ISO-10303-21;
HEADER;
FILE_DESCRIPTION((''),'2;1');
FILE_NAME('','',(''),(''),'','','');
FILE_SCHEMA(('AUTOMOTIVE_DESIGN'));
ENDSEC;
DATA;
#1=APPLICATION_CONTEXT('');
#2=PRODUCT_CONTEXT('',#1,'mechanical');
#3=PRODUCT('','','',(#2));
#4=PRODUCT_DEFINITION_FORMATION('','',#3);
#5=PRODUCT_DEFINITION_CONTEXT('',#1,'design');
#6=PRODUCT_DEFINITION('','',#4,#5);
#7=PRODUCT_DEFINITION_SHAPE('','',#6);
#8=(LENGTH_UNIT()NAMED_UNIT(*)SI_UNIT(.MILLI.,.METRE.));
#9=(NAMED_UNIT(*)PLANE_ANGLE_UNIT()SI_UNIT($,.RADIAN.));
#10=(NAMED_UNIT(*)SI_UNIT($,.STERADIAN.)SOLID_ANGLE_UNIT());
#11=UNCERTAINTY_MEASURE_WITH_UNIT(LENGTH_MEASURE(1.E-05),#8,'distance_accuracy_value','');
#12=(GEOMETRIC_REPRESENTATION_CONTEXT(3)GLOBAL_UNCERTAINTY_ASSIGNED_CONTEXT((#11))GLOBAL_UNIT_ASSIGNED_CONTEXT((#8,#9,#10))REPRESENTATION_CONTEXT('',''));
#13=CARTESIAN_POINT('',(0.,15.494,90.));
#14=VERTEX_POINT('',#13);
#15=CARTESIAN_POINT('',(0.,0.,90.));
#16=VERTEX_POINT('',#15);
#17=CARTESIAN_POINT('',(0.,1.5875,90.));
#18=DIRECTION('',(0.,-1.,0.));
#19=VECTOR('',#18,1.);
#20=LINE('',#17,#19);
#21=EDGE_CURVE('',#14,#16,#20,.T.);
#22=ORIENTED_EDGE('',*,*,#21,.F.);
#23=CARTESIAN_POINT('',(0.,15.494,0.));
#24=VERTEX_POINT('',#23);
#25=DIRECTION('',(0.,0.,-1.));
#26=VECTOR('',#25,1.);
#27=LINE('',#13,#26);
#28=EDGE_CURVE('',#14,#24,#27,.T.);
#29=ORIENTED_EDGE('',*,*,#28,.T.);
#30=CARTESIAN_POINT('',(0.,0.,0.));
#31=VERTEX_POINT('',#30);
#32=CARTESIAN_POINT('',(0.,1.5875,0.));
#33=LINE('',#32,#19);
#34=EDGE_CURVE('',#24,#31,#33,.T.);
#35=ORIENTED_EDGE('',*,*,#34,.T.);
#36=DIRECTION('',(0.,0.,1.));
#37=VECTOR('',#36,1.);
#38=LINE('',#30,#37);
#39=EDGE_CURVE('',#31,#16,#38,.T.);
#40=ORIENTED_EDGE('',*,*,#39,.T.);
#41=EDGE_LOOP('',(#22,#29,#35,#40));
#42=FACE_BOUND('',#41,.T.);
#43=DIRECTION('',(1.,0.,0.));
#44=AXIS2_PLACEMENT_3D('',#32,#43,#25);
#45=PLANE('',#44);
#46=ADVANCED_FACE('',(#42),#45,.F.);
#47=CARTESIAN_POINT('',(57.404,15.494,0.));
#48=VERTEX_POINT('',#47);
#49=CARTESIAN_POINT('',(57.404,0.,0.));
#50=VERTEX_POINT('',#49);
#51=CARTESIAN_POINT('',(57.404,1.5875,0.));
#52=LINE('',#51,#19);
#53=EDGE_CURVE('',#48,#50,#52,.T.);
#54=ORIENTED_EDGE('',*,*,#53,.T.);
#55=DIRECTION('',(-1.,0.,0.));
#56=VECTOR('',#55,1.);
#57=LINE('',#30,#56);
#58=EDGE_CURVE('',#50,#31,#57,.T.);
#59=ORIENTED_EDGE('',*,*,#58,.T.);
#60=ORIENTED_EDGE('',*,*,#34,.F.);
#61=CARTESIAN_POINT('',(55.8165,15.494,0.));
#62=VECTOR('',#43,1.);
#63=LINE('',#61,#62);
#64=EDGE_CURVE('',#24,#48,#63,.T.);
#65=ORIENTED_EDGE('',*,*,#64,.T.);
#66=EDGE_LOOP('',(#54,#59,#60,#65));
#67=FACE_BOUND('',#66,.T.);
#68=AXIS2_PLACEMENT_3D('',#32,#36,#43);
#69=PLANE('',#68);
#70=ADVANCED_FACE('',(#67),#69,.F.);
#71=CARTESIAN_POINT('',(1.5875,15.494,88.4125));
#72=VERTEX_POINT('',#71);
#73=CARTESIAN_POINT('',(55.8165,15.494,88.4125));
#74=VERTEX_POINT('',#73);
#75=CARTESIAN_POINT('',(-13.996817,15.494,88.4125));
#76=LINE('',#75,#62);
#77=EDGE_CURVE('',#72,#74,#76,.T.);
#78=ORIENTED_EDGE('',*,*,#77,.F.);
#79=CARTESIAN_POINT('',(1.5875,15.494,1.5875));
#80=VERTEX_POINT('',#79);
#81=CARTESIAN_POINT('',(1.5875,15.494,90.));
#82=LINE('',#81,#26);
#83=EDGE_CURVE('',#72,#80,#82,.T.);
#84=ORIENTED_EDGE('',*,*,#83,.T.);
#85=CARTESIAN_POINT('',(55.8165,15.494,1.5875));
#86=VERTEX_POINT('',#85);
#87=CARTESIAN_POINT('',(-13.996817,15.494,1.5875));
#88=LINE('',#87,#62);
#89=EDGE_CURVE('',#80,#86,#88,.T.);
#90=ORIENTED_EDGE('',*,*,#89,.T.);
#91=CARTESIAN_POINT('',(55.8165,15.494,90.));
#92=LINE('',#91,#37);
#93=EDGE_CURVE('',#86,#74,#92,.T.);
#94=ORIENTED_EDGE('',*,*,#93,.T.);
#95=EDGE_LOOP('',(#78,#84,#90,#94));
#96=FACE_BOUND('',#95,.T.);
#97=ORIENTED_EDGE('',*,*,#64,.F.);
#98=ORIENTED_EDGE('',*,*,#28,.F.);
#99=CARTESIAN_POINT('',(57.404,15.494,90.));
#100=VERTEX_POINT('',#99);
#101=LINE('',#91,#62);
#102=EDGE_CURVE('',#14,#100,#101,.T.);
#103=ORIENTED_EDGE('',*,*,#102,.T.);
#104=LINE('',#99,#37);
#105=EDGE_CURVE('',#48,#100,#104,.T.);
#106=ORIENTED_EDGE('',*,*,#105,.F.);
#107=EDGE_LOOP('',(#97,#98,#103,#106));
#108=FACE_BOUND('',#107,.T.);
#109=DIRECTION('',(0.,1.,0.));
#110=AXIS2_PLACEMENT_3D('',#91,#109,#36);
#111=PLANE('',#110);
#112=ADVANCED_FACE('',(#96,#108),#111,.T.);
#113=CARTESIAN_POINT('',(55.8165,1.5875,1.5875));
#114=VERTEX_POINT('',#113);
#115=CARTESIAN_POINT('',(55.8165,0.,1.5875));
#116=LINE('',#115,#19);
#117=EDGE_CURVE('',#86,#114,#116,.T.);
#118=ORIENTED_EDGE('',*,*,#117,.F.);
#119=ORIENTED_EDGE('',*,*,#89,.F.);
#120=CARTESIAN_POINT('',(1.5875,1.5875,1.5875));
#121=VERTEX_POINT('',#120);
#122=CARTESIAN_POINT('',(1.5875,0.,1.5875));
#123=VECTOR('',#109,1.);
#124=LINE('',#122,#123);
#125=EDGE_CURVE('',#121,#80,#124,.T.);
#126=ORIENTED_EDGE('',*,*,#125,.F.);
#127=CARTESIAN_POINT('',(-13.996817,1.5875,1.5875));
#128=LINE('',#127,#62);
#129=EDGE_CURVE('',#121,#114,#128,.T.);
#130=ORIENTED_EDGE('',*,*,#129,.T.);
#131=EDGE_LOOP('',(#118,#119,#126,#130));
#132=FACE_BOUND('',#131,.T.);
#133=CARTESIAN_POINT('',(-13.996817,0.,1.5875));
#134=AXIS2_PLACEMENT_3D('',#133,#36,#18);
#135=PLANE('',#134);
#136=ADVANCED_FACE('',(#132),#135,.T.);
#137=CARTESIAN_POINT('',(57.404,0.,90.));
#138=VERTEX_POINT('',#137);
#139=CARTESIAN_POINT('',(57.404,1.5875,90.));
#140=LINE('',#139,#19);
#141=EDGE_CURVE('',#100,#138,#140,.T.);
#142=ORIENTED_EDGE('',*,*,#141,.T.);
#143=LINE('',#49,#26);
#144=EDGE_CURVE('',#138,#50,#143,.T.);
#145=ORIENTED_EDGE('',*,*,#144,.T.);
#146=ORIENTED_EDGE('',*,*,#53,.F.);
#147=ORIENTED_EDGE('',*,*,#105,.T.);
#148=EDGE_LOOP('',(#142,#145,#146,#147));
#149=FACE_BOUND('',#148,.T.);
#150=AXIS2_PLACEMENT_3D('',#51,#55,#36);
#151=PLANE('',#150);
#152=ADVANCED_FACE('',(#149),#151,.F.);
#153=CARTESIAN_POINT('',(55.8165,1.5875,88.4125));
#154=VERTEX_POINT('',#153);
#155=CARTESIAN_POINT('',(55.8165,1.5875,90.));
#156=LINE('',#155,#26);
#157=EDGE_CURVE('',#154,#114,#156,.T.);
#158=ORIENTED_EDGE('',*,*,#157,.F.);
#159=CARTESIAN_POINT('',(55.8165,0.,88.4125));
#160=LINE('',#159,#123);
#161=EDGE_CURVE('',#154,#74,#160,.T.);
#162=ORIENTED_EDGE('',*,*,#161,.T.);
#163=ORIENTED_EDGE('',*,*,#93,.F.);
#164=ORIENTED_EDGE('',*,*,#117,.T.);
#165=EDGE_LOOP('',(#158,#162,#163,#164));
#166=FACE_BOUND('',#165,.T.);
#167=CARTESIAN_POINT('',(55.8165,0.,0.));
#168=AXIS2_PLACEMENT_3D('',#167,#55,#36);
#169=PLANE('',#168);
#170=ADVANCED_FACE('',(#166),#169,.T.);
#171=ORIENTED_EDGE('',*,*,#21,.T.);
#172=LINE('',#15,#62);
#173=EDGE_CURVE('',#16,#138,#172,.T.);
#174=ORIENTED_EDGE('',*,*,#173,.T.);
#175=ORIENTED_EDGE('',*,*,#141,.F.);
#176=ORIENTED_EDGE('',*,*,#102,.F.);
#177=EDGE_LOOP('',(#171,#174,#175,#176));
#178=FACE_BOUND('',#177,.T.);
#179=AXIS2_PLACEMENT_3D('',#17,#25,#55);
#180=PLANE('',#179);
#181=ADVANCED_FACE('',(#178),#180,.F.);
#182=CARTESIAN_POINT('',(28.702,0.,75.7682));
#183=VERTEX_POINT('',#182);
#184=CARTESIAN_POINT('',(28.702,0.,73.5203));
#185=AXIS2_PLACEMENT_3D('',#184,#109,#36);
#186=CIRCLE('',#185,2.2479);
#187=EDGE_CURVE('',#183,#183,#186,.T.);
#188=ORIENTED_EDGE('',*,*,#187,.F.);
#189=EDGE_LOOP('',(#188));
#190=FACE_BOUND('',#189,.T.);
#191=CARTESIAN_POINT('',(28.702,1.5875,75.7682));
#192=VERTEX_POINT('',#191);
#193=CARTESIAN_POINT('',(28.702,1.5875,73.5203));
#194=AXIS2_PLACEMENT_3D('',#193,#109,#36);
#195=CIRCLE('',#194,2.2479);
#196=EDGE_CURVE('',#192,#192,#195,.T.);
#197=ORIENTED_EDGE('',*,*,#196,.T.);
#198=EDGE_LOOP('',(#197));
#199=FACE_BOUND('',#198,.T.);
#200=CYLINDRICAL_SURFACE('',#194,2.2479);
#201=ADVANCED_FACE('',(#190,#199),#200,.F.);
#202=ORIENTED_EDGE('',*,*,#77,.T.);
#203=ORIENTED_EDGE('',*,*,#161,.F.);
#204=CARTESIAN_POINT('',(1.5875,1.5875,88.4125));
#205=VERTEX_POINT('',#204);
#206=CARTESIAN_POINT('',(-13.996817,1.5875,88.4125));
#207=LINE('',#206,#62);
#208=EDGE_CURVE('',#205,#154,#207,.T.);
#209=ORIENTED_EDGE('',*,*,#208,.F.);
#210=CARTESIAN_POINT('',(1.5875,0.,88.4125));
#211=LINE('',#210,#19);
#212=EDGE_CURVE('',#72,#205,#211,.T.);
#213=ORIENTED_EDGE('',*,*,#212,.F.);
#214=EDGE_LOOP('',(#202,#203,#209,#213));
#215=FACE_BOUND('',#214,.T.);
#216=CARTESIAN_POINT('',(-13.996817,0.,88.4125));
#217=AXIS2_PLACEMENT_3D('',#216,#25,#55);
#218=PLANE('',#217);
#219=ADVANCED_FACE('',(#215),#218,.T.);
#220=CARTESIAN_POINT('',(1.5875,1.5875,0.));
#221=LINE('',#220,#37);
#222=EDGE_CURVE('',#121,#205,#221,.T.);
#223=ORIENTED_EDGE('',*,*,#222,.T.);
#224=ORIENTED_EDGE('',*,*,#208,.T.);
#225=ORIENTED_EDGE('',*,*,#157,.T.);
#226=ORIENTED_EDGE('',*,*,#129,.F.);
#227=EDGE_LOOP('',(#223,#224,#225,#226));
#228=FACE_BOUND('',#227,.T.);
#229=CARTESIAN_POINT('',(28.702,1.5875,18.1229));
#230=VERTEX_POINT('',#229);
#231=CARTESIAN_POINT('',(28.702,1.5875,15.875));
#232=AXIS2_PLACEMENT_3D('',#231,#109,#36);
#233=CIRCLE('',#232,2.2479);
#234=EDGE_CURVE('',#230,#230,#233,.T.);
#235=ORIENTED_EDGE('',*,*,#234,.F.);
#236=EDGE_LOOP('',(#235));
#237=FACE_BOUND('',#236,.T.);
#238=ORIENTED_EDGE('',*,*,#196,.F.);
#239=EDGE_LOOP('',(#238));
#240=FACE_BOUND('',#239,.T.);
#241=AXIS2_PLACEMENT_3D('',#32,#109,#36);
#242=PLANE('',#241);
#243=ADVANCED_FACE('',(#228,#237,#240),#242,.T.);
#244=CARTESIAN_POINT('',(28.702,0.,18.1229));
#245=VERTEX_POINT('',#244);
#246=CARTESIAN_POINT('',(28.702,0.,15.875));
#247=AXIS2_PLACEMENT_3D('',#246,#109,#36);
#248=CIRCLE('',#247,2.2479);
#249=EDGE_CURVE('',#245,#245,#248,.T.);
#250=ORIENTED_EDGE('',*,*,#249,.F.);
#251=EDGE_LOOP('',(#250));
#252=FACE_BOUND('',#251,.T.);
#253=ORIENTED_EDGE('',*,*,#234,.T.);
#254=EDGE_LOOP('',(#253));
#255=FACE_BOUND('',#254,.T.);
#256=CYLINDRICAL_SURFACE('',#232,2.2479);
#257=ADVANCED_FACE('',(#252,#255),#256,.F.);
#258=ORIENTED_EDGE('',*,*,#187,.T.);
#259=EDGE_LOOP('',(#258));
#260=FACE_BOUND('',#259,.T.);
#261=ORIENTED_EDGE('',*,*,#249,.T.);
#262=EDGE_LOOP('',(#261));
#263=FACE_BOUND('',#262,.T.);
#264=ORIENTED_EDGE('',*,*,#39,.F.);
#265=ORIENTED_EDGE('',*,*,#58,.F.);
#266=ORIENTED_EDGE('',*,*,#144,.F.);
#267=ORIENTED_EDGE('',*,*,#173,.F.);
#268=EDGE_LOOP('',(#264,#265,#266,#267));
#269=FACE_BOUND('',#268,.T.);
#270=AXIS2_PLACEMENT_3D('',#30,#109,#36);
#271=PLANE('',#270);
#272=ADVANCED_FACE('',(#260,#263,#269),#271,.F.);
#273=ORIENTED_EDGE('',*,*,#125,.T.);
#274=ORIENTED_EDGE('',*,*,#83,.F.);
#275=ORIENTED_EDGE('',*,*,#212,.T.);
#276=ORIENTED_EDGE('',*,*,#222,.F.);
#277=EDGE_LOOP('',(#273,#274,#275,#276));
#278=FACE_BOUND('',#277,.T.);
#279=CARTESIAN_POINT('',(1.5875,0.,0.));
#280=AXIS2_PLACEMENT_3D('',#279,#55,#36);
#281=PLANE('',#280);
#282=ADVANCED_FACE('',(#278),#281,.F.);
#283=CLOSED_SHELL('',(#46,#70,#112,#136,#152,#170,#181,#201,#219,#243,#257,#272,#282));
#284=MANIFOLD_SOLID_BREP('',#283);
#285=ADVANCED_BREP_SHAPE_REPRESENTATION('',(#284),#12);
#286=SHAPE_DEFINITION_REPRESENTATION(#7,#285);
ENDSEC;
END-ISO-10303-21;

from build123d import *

# Parameters (mm, degrees)
SKETCH1_W                 = 57.404
SKETCH1_H                 = 90
BOSS_EXTRUDE1_DEPTH       = 1.5875
SKETCH2_W                 = 90
SKETCH2_H                 = 13.9065
BOSS_EXTRUDE2_DEPTH       = 1.5875
SKETCH3_W                 = 1.5875
SKETCH3_H                 = 13.9065
BOSS_EXTRUDE3_DEPTH       = 54.229
SKETCH4_W                 = 90
SKETCH4_H                 = 15.494
BOSS_EXTRUDE4_DEPTH       = 1.5875
F_8_CLEARANCE_HOLE1_D     = 4.4958
F_8_CLEARANCE_HOLE1_DEPTH = 1.5875


with BuildPart() as part:
    # Sketch1 → Boss-Extrude1 (new body)
    with BuildSketch(Plane(origin=(0, 0, 0), x_dir=(1, 0, 0), z_dir=(0, 1, 0))):
        with Locations((28.702, -45)):
            Rectangle(SKETCH1_W, SKETCH1_H)
    extrude(amount=BOSS_EXTRUDE1_DEPTH)

    # Sketch2 → Boss-Extrude2 (add)
    with BuildSketch(Plane(origin=(57.404, 0, 0), x_dir=(0, 0, -1), z_dir=(1, 0, 0))):
        with Locations((-45, 8.54075)):
            Rectangle(SKETCH2_W, SKETCH2_H)
    extrude(amount=-BOSS_EXTRUDE2_DEPTH)

    # Sketch3 → Boss-Extrude3 (add)
    with BuildSketch(Plane.ZY.offset(-55.8165)):
        with Locations((0.79375, 8.54075)):
            Rectangle(SKETCH3_W, SKETCH3_H)
        with Locations((89.20625, 8.54075)):
            Rectangle(SKETCH3_W, SKETCH3_H)
    extrude(amount=BOSS_EXTRUDE3_DEPTH)

    # Sketch4 → Boss-Extrude4 (add)
    with BuildSketch(Plane.ZY.offset(-1.5875)):
        with Locations((45, 7.747)):
            Rectangle(SKETCH4_W, SKETCH4_H)
    extrude(amount=BOSS_EXTRUDE4_DEPTH)

    # #8 Clearance Hole1
    with Locations(Plane(origin=(0, 1.5875, 0), x_dir=(1, 0, 0), z_dir=(0, 1, 0))):
        with Locations((28.702, -73.5203), (28.702, -15.875)):
            Hole(F_8_CLEARANCE_HOLE1_D / 2, depth=F_8_CLEARANCE_HOLE1_DEPTH)


solid = part.part
